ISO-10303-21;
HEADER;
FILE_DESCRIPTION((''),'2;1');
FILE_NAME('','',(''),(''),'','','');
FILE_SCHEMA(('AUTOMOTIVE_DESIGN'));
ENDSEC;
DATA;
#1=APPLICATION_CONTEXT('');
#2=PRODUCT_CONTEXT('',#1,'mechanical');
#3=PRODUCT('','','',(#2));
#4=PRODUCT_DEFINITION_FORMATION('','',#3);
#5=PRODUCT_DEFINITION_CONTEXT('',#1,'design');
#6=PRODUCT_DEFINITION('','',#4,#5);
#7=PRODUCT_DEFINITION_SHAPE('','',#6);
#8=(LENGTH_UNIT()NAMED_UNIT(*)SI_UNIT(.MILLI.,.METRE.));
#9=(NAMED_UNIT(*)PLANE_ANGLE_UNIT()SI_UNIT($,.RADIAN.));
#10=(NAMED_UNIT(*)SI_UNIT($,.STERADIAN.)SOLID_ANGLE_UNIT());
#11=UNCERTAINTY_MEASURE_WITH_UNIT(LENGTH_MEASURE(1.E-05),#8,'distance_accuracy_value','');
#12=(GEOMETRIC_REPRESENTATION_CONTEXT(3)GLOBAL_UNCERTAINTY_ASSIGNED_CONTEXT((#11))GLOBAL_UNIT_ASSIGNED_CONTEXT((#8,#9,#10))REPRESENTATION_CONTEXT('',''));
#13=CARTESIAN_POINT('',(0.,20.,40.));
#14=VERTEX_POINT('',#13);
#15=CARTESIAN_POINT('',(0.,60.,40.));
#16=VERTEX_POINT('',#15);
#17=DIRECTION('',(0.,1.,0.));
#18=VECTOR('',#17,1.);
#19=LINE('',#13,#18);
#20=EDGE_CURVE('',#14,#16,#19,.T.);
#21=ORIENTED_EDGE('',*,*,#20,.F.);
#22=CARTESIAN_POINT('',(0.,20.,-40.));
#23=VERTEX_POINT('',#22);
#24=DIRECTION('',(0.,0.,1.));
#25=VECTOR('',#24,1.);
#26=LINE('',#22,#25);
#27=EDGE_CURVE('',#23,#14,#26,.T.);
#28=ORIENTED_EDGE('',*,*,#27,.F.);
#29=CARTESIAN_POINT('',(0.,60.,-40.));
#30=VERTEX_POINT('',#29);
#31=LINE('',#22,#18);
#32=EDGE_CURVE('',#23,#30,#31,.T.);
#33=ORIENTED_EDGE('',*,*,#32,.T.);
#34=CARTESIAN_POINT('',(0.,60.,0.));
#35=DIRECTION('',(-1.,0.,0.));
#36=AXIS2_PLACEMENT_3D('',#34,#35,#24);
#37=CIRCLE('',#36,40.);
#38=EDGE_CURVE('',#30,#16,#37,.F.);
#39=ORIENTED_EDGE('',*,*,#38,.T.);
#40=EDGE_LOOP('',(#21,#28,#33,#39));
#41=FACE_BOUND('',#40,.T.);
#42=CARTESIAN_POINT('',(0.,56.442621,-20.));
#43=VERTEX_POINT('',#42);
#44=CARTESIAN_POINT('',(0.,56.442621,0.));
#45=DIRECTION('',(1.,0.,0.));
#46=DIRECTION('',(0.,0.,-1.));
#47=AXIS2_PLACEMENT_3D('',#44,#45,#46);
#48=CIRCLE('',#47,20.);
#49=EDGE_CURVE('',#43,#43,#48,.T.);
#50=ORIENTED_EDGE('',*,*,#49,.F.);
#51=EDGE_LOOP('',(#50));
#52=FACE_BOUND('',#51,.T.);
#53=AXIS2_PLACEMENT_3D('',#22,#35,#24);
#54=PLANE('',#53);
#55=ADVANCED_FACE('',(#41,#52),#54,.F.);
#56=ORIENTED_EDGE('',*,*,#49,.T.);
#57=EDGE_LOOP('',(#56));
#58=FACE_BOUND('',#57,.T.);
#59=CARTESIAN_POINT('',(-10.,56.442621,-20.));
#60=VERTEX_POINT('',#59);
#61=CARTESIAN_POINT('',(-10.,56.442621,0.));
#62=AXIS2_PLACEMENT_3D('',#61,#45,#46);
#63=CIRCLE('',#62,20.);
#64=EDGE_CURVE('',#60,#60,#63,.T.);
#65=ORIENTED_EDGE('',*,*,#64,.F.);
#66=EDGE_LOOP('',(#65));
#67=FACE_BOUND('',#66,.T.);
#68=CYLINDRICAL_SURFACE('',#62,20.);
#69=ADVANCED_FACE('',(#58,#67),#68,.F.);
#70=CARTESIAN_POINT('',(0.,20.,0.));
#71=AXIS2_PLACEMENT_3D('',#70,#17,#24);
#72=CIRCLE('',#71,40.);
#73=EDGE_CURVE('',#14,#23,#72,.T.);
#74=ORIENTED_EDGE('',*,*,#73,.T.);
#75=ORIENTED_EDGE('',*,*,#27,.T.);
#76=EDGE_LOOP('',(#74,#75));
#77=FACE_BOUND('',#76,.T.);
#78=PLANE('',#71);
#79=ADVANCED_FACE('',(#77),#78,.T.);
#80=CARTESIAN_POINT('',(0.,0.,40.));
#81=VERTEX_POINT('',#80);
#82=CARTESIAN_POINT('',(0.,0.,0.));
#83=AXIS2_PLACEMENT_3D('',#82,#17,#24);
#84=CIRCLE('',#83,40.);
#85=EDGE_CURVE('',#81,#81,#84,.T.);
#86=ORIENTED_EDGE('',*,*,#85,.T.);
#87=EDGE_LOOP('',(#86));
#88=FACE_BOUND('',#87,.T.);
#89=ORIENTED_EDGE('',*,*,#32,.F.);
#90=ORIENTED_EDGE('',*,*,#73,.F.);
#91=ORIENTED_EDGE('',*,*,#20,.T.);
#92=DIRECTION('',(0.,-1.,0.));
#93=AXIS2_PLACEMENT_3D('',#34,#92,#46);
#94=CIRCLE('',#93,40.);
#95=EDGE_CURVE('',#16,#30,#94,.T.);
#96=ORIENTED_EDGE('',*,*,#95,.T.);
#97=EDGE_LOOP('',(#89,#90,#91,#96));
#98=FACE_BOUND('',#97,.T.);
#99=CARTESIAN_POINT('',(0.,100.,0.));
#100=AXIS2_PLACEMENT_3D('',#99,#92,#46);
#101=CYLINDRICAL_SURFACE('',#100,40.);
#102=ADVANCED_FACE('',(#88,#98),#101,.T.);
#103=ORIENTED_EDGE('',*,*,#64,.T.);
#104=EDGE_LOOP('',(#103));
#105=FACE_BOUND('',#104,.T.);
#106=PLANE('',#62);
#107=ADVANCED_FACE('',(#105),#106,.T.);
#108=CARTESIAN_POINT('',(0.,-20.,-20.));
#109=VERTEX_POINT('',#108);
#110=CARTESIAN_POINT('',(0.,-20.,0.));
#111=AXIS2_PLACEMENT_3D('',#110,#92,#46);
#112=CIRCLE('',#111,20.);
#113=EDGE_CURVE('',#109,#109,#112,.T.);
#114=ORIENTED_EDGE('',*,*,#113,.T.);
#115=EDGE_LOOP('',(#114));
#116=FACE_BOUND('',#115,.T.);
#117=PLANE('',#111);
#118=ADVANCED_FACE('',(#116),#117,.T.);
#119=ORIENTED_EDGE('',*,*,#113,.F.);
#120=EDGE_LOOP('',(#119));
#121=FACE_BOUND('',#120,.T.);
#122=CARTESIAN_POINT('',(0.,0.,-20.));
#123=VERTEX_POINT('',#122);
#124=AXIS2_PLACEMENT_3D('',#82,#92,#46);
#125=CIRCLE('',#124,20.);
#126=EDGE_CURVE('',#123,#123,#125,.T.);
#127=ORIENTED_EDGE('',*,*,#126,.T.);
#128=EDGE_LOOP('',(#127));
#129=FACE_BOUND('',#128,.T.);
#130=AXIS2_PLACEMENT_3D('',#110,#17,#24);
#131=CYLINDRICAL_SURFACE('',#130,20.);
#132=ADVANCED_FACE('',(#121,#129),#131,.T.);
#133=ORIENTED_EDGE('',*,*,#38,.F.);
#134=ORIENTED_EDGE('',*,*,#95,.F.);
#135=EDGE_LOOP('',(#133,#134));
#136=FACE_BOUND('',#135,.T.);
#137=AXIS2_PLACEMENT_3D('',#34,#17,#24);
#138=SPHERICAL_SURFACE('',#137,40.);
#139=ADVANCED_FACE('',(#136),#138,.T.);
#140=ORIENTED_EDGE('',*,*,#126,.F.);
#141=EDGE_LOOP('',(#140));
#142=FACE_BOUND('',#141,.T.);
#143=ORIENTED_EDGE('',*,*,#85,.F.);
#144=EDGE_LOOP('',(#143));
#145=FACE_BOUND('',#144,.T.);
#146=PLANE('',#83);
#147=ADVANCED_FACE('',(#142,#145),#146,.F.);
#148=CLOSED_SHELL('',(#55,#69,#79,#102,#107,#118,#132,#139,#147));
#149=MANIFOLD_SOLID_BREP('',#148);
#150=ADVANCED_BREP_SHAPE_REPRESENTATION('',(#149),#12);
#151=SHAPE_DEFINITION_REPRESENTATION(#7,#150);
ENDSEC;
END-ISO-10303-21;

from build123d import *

# Parameters (mm, degrees)
SKETCH1_R           = 40
BOSS_EXTRUDE1_DEPTH = 100
SKETCH2_R           = 20
BOSS_EXTRUDE2_DEPTH = 20
FILLET2_R           = 40
SKETCH3_W           = 41.30426334
SKETCH3_H           = 80
CUT_EXTRUDE5_DEPTH  = 80
SKETCH5_R           = 20
CUT_EXTRUDE6_DEPTH  = 10


with BuildPart() as part:
    # Sketch1 → Boss-Extrude1 (new body)
    with BuildSketch(Plane(origin=(0, 0, 0), x_dir=(1, 0, 0), z_dir=(0, 1, 0))):
        with Locations(Location((0, 0, 0), (0, 0, 270))):
            Circle(SKETCH1_R)
    extrude(amount=BOSS_EXTRUDE1_DEPTH)

    # Sketch2 → Boss-Extrude2 (add)
    with BuildSketch(Plane.XZ):
        with Locations(Location((0, 0, 0), (0, 0, 270))):
            Circle(SKETCH2_R)
    extrude(amount=BOSS_EXTRUDE2_DEPTH)

    # Fillet2
    fillet2_edges = [part.edges().sort_by_distance(p)[0] for p in [
        (0, 100, -40),
    ]]
    fillet(fillet2_edges, radius=FILLET2_R)

    # Sketch3 → Cut-Extrude5 (cut)
    with BuildSketch(Plane(origin=(0, 100, 0), x_dir=(1, 0, 0), z_dir=(0, 1, 0))):
        with Locations((20.65213167, 0)):
            Rectangle(SKETCH3_W, SKETCH3_H)
    extrude(amount=-CUT_EXTRUDE5_DEPTH, mode=Mode.SUBTRACT)

    # Sketch5 → Cut-Extrude6 (cut)
    with BuildSketch(Plane(origin=(0, 0, 0), x_dir=(0, 0, -1), z_dir=(1, 0, 0))):
        with Locations((0, 56.442620776)):
            Circle(SKETCH5_R)
    extrude(amount=-CUT_EXTRUDE6_DEPTH, mode=Mode.SUBTRACT)


solid = part.part
